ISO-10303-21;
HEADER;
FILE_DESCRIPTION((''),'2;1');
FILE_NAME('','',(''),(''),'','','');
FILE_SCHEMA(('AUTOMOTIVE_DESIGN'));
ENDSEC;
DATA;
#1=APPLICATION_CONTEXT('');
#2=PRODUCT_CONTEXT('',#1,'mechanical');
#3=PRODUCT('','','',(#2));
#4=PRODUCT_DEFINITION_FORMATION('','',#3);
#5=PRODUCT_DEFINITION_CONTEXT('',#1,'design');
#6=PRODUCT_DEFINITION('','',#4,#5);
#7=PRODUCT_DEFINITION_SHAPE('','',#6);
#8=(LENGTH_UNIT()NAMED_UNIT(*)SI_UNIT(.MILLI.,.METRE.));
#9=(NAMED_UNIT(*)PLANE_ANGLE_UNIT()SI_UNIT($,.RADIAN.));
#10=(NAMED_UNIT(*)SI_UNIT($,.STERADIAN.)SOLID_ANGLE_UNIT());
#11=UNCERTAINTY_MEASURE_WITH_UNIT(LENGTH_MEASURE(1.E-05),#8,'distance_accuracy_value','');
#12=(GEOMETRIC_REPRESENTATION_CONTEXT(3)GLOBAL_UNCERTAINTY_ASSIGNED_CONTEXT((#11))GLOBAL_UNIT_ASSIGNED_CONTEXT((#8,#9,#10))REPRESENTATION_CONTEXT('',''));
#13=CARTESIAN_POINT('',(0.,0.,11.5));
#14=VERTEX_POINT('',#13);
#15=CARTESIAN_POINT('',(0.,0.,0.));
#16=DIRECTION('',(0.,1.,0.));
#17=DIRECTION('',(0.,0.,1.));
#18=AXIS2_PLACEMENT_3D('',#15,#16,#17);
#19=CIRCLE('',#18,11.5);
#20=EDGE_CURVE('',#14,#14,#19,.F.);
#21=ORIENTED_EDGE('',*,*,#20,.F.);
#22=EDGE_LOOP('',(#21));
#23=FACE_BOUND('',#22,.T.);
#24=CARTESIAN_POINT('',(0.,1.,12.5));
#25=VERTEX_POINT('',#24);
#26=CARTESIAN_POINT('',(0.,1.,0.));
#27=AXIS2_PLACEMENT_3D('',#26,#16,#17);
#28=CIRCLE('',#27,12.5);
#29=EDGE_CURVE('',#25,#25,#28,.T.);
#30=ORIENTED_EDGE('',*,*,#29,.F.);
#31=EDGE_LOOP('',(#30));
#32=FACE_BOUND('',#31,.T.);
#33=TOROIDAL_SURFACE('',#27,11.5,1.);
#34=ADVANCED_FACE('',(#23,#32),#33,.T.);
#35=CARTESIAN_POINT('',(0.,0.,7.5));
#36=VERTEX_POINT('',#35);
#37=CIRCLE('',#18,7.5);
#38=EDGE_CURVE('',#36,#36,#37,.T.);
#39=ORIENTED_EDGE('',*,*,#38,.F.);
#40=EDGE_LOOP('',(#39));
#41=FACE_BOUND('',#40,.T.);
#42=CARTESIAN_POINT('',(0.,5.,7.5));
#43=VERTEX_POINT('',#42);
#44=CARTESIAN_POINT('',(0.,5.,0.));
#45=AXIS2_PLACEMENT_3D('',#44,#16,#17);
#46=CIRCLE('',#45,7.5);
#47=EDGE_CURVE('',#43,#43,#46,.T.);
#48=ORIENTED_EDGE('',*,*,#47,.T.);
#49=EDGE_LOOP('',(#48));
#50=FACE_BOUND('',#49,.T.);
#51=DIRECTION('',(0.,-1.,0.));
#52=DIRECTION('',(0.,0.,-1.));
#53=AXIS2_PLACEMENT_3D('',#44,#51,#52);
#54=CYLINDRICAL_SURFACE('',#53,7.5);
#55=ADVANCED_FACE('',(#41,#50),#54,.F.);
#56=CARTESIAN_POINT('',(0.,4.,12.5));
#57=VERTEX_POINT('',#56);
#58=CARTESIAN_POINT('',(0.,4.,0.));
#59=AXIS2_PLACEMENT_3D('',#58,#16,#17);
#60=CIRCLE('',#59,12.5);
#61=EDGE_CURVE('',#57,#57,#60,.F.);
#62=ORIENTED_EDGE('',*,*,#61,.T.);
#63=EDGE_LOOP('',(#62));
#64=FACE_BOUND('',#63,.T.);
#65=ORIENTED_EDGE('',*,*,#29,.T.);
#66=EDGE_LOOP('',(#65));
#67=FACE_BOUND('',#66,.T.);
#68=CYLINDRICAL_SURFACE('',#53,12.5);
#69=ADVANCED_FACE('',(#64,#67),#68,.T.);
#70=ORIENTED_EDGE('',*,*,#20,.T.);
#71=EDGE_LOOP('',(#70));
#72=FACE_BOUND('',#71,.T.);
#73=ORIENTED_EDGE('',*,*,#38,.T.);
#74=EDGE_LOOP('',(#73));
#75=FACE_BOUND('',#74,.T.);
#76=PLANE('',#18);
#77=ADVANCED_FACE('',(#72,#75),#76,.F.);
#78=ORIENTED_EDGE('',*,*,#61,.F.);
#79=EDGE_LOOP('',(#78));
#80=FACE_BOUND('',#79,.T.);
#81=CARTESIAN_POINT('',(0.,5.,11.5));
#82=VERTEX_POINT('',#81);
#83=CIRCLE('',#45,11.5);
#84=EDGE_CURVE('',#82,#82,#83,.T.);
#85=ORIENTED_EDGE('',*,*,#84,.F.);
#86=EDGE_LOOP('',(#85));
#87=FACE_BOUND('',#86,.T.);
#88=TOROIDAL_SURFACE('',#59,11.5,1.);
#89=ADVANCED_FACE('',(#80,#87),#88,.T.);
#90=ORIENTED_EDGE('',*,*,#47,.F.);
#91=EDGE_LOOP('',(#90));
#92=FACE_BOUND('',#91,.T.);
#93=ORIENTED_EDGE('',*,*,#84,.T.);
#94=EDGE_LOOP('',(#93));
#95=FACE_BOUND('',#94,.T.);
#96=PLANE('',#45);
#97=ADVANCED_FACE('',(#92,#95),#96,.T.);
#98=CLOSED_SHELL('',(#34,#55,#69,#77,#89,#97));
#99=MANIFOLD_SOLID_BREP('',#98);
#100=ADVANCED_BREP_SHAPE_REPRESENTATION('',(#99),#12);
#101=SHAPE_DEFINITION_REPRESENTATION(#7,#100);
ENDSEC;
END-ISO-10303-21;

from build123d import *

# Parameters (mm, degrees)
SKETCH1_R           = 12.5
SKETCH1_R_2         = 7.5
BOSS_EXTRUDE1_DEPTH = 5
FILLET1_R           = 1


with BuildPart() as part:
    # Sketch1 → Boss-Extrude1 (new body)
    with BuildSketch(Plane(origin=(0, 0, 0), x_dir=(1, 0, 0), z_dir=(0, 1, 0))):
        Circle(SKETCH1_R)
        Circle(SKETCH1_R_2, mode=Mode.SUBTRACT)
    extrude(amount=BOSS_EXTRUDE1_DEPTH)

    # Fillet1
    fillet1_edges = [part.edges().sort_by_distance(p)[0] for p in [
        (-12.5, 0, 0),
        (-12.5, 5, 0),
    ]]
    fillet(fillet1_edges, radius=FILLET1_R)


solid = part.part
